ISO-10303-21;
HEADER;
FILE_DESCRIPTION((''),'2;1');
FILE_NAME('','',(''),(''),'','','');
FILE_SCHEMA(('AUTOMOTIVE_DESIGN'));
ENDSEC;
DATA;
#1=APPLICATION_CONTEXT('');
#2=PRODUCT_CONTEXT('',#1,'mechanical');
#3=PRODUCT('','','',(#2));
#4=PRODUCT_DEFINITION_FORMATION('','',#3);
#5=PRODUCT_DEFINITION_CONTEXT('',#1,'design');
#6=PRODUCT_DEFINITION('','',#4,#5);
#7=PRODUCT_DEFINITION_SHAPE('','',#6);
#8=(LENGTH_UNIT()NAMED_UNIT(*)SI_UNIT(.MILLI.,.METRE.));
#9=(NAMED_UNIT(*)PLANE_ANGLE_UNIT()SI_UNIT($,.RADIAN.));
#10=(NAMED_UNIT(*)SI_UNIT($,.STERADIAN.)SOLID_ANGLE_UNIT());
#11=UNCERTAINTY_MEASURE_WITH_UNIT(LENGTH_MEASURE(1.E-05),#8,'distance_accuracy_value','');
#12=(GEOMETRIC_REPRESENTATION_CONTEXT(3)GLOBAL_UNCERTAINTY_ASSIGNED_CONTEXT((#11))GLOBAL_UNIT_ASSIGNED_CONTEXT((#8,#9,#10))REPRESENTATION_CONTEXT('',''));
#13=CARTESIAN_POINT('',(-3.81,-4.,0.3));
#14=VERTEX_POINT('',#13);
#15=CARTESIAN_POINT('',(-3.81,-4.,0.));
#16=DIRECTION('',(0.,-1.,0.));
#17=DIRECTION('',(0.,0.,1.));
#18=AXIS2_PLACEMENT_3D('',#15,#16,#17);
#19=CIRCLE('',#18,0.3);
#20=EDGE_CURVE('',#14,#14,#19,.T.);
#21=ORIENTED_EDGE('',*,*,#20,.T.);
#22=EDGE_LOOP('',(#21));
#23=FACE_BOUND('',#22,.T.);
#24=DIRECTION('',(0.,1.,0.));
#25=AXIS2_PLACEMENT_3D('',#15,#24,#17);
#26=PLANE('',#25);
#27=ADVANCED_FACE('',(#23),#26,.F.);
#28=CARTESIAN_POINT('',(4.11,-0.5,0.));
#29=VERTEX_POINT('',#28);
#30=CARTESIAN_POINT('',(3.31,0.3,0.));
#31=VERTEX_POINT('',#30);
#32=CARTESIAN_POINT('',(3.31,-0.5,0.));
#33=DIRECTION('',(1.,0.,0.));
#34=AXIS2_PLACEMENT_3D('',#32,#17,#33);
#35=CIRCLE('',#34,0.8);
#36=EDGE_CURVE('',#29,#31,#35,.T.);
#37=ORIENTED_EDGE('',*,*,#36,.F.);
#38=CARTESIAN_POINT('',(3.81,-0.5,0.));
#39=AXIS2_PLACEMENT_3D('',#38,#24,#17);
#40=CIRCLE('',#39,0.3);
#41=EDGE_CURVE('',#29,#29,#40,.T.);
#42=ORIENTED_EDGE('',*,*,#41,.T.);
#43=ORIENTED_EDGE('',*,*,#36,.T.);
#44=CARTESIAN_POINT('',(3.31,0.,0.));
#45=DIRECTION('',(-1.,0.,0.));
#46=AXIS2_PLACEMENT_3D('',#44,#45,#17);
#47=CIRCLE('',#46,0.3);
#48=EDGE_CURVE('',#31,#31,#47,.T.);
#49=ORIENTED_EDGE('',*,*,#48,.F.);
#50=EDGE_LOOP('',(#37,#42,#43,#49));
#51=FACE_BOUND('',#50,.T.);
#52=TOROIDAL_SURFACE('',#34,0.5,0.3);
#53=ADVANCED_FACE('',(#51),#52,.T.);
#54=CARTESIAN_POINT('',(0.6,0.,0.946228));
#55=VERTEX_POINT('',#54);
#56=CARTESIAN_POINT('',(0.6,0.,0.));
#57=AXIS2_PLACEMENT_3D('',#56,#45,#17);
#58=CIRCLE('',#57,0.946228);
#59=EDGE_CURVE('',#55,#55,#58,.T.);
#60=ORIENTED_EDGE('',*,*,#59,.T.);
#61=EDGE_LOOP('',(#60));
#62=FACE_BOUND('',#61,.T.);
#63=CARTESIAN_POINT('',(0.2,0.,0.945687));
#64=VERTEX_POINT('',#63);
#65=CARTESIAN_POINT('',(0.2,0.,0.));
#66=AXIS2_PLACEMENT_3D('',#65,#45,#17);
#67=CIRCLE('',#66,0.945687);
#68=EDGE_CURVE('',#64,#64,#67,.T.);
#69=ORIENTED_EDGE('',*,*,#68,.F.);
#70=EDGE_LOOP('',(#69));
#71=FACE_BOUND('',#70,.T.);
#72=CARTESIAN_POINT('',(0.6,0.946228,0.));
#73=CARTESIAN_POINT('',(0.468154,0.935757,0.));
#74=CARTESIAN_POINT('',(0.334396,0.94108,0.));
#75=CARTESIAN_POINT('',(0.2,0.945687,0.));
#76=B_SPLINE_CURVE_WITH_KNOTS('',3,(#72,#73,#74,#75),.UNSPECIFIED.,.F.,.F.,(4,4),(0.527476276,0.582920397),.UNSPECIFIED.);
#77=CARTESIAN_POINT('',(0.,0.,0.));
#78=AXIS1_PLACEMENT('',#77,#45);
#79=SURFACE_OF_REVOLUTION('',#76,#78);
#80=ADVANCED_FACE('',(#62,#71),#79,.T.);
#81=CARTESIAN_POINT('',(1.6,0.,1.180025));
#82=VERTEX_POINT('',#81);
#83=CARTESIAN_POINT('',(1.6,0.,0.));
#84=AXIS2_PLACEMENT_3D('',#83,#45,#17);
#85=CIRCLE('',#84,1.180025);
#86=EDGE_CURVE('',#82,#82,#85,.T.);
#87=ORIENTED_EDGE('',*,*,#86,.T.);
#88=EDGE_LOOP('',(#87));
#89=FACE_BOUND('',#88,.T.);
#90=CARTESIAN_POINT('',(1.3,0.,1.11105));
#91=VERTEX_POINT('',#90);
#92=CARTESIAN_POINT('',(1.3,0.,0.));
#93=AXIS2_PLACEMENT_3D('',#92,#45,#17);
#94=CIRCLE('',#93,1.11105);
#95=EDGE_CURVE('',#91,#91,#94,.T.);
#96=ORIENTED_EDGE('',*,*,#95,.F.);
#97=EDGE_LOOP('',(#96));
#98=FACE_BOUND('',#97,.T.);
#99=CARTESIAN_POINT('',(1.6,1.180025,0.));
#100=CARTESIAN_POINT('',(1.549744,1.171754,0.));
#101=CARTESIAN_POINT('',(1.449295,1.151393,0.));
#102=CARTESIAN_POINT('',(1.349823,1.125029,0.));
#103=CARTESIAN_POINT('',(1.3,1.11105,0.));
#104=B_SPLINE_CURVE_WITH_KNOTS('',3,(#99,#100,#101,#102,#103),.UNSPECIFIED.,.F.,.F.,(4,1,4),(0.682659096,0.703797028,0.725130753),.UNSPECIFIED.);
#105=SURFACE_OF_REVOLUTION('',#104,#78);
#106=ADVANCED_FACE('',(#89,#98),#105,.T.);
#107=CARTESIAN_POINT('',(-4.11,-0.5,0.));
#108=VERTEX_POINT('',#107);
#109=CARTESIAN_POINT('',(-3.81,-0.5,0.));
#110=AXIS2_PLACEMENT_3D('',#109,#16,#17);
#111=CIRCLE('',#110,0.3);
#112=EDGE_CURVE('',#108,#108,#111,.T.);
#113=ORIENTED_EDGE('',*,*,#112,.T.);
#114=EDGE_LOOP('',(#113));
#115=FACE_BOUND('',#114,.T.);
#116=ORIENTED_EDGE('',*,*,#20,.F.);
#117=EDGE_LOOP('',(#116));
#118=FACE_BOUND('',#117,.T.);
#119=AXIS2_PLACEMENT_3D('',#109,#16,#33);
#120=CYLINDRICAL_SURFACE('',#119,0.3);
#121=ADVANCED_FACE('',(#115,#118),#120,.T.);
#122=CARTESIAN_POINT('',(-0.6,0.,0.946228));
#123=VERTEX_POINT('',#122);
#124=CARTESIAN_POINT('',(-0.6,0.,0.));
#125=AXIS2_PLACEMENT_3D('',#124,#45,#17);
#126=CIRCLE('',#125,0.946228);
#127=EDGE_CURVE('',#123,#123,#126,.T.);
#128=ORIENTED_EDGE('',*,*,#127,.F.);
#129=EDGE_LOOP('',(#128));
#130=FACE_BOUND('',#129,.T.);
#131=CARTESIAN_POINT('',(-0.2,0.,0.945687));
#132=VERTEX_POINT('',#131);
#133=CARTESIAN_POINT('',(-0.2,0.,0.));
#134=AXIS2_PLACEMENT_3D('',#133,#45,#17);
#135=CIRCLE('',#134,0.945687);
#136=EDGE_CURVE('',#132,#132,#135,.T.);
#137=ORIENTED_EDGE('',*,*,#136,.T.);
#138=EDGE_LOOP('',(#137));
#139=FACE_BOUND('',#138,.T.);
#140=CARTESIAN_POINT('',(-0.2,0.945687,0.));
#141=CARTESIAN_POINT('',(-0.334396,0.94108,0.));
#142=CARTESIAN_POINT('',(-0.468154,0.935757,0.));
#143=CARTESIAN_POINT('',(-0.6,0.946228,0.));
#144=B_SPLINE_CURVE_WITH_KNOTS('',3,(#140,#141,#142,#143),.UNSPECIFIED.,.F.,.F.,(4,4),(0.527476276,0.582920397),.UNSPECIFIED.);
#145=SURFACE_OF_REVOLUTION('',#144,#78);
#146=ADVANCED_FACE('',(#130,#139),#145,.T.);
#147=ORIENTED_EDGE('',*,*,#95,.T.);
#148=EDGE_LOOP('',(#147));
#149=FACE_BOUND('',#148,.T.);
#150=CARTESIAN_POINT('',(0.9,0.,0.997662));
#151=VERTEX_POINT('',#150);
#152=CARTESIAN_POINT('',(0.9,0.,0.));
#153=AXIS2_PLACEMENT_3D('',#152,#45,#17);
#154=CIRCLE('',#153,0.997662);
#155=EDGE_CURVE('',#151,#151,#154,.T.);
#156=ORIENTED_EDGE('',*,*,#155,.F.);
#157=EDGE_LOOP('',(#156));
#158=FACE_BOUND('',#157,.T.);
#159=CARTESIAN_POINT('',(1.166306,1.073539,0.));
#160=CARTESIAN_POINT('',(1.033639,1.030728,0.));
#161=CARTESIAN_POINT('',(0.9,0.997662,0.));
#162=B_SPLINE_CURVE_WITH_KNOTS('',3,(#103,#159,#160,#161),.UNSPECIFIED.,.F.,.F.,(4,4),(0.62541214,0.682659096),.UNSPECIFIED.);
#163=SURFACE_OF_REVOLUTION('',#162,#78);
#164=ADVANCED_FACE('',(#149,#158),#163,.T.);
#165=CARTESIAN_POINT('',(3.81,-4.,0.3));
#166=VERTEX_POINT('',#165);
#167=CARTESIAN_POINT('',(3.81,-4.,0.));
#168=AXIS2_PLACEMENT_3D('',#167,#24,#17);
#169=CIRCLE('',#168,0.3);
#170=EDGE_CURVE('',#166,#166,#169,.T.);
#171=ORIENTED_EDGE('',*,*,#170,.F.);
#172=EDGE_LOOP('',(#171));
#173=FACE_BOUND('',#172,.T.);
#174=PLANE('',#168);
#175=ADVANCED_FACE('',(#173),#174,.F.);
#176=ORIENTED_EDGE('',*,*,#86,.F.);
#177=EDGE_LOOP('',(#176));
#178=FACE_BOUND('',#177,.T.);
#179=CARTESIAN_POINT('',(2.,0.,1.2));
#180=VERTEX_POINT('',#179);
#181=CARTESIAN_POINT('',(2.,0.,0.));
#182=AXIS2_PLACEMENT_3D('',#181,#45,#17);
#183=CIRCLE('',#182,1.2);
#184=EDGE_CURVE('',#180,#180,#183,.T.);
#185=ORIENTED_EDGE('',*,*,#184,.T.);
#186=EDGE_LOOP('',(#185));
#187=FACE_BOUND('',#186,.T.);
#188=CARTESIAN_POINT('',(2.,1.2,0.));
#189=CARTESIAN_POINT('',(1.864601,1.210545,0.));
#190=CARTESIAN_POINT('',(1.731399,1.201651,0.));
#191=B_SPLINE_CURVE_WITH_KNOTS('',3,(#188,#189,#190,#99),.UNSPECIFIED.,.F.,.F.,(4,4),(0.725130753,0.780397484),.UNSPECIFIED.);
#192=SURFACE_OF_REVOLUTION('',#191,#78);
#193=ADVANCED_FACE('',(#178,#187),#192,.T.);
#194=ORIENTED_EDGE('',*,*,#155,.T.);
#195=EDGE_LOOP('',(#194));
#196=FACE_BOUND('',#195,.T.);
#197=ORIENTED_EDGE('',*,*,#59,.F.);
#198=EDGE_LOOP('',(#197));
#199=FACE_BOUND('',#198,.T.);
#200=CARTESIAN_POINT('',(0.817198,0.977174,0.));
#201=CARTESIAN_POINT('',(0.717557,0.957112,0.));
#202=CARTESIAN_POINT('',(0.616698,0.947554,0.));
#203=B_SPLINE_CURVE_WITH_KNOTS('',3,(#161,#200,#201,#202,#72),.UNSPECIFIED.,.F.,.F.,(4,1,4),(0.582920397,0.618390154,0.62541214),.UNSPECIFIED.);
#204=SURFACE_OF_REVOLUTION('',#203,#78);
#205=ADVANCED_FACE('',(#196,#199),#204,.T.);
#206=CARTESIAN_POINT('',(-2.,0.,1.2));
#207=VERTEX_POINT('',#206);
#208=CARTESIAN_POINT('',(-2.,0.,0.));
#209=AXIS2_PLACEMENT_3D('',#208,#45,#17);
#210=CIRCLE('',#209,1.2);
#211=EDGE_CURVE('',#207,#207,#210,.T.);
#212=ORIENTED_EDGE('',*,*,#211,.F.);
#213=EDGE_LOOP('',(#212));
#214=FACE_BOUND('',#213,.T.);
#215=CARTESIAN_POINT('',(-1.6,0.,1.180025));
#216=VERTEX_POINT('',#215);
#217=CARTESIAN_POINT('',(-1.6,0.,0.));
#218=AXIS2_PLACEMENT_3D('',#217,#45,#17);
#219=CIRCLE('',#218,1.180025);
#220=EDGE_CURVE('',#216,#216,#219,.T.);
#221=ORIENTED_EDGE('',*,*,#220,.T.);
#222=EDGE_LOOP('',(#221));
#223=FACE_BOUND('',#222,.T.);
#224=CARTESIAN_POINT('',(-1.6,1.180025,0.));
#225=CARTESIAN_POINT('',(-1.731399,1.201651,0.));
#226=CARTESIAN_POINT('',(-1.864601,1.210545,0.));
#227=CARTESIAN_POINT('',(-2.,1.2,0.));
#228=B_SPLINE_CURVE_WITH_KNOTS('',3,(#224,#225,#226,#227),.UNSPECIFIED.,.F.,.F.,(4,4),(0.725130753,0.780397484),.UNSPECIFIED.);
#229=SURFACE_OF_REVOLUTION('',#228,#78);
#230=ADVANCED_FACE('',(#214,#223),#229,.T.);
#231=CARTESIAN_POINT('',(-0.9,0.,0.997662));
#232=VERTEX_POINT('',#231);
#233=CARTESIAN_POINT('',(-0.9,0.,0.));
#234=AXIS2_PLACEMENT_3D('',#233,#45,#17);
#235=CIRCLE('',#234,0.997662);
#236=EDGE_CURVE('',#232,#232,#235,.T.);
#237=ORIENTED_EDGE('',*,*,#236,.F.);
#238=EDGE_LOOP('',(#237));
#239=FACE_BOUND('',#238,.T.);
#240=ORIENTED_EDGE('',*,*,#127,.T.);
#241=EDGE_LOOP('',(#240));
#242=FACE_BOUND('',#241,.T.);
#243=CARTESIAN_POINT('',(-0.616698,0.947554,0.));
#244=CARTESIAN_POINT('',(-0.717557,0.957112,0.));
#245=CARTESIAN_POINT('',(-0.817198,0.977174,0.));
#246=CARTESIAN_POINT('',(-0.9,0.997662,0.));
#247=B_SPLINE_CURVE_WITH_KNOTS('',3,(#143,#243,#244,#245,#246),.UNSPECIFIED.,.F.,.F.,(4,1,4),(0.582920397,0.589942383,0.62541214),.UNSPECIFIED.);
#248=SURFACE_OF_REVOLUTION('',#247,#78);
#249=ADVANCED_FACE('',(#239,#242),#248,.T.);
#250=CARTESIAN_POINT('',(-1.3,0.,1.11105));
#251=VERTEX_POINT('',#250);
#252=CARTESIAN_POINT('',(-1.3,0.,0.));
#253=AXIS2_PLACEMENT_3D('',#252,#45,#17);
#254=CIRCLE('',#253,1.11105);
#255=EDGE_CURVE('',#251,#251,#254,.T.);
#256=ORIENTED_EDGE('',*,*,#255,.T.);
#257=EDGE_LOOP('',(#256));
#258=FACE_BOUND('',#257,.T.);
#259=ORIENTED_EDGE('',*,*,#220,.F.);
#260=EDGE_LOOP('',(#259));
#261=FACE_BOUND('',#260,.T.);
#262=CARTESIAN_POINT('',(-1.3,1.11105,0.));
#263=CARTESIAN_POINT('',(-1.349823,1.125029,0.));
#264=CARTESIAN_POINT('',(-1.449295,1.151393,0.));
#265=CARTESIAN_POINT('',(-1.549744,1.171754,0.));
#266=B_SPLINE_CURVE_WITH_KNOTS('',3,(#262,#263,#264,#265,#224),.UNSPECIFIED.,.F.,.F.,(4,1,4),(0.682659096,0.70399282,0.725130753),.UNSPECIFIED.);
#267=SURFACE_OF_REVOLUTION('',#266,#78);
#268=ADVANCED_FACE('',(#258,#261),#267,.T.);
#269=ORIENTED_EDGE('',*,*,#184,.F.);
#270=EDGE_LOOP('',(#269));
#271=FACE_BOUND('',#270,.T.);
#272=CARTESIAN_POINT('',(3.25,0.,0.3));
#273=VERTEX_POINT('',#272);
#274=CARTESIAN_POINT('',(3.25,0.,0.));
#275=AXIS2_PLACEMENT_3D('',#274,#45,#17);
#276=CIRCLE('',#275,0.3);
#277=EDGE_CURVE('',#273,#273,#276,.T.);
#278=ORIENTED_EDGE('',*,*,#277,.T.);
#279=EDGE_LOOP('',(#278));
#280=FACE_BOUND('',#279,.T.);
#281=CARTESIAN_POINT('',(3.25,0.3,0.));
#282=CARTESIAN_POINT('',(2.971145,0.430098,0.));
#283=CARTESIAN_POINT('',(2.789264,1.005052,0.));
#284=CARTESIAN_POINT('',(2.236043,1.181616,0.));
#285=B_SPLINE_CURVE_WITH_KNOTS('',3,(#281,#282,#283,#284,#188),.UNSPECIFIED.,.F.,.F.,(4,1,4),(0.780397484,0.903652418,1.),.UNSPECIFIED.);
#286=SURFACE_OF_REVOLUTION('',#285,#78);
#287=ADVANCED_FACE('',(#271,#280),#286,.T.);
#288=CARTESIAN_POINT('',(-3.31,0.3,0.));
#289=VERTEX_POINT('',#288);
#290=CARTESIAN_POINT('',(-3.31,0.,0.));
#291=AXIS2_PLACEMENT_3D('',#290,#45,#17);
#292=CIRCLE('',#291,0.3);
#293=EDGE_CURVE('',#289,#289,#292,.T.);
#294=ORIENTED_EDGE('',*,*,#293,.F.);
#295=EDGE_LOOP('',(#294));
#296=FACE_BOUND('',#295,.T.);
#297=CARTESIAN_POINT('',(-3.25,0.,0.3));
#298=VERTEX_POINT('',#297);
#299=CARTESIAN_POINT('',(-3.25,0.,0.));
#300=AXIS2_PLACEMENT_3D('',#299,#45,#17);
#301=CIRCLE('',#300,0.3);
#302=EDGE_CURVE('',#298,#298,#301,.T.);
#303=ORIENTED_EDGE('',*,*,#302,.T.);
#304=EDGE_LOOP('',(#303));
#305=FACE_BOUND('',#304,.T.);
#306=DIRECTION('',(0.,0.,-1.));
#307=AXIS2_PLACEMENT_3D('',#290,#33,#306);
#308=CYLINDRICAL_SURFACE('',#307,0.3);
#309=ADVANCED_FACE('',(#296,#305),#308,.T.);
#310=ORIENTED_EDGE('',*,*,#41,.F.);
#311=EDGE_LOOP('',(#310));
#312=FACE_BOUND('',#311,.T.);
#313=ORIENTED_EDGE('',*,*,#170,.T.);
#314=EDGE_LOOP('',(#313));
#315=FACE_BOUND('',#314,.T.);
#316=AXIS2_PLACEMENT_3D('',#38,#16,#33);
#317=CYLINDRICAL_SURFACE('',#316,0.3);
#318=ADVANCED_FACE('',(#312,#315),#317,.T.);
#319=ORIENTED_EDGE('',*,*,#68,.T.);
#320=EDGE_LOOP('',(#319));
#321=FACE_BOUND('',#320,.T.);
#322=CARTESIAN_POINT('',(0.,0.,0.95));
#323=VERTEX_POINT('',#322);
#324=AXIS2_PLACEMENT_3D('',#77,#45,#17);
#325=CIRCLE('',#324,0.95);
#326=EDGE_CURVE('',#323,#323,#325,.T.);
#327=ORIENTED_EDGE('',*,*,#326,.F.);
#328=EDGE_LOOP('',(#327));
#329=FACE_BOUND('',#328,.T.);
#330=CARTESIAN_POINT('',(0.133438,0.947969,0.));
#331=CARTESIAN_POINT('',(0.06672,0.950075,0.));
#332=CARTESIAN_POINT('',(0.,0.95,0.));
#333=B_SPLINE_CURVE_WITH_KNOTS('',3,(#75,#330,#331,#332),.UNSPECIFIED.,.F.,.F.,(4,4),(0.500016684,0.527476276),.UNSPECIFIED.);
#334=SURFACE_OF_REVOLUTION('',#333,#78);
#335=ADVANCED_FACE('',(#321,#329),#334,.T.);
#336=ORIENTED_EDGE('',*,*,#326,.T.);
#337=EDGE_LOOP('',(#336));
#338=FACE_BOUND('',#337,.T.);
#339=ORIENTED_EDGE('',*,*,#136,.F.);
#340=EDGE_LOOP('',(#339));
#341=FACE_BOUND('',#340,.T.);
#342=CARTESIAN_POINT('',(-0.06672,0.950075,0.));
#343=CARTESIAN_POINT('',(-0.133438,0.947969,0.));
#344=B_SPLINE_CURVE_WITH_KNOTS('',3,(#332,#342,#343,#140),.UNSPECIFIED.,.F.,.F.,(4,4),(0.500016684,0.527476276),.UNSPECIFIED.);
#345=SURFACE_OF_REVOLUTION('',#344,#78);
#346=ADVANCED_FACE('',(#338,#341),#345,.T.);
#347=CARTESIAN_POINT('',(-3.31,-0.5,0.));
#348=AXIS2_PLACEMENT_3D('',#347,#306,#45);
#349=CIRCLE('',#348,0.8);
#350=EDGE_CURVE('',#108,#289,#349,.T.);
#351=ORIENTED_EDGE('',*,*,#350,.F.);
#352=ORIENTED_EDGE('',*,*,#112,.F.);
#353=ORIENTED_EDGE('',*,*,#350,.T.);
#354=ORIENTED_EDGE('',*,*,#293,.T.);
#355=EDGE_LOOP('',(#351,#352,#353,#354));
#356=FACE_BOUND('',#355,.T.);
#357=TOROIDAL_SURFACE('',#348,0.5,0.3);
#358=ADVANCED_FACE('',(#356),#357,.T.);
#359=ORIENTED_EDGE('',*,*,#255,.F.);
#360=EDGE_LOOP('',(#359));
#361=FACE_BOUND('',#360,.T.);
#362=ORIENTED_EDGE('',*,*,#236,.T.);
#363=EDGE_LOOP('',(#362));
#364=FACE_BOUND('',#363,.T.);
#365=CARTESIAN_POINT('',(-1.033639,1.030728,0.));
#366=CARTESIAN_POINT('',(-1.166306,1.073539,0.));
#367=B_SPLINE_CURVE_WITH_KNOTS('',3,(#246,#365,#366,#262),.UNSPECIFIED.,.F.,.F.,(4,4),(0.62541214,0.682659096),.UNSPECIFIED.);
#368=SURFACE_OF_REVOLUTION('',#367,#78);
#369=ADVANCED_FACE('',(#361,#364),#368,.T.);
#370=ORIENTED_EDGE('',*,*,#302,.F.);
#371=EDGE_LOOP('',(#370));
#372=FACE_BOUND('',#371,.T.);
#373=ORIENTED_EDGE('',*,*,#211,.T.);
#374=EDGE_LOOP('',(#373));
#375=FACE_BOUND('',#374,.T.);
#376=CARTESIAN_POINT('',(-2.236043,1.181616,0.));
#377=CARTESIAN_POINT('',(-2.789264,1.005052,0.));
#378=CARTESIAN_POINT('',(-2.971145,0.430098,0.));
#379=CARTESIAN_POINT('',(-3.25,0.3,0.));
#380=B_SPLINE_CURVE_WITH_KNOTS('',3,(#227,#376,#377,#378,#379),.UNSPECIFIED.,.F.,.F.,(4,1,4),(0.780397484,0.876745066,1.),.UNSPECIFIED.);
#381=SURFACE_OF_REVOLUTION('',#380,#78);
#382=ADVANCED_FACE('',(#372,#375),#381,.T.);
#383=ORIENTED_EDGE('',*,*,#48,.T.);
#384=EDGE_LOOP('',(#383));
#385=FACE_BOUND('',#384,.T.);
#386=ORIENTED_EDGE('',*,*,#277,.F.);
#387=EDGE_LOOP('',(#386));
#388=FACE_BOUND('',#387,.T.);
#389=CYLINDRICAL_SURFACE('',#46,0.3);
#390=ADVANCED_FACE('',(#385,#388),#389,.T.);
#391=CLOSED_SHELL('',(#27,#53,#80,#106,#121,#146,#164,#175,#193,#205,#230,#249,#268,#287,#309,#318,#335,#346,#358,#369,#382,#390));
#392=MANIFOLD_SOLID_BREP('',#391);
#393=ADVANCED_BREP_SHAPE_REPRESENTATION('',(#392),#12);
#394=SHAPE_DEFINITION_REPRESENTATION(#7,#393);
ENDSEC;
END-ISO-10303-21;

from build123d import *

# Parameters (mm, degrees)
SKETCH_5_R = 0.3


with BuildPart() as part:
    # Эскиз3 → Повернуть2 (revolve)
    with BuildSketch(Plane.XY):
        with BuildLine():
            Line((0, 0), (-3.25, 0))
            Line((-3.25, 0), (-3.25, 0.3))
            add(Edge.make_bspline(
                [(-2.000000082, 1.199999952), (-2.23604302, 1.181615986), (-2.789263679, 1.00505202), (-2.971144892, 0.430097598), (-3.25, 0.3)],
                knots=[0.780397484, 0.780397484, 0.780397484, 0.780397484, 0.876745066, 1, 1, 1, 1], degree=3))
            add(Edge.make_bspline(
                [(-1.6, 1.180025241), (-1.731399218, 1.201650855), (-1.864601443, 1.21054538), (-2.000000082, 1.199999952)],
                knots=[0.725130753, 0.725130753, 0.725130753, 0.725130753, 0.780397484, 0.780397484, 0.780397484, 0.780397484], degree=3))
            add(Edge.make_bspline(
                [(-1.3, 1.111050082), (-1.34982276, 1.125028982), (-1.449295193, 1.15139314), (-1.549743584, 1.171754066), (-1.6, 1.180025241)],
                knots=[0.682659096, 0.682659096, 0.682659096, 0.682659096, 0.70399282, 0.725130753, 0.725130753, 0.725130753, 0.725130753], degree=3))
            add(Edge.make_bspline(
                [(-0.9, 0.997661651), (-1.033638838, 1.030728014), (-1.166305516, 1.073539075), (-1.3, 1.111050082)],
                knots=[0.62541214, 0.62541214, 0.62541214, 0.62541214, 0.682659096, 0.682659096, 0.682659096, 0.682659096], degree=3))
            add(Edge.make_bspline(
                [(-0.6, 0.946228082), (-0.616698211, 0.947554212), (-0.71755748, 0.957111909), (-0.817198443, 0.977173996), (-0.9, 0.997661651)],
                knots=[0.582920397, 0.582920397, 0.582920397, 0.582920397, 0.589942383, 0.62541214, 0.62541214, 0.62541214, 0.62541214], degree=3))
            add(Edge.make_bspline(
                [(-0.2, 0.945686937), (-0.334396136, 0.941079864), (-0.468154451, 0.935757238), (-0.6, 0.946228082)],
                knots=[0.527476276, 0.527476276, 0.527476276, 0.527476276, 0.582920397, 0.582920397, 0.582920397, 0.582920397], degree=3))
            add(Edge.make_bspline(
                [(0, 0.95), (-0.066719861, 0.950074874), (-0.133438155, 0.947968664), (-0.2, 0.945686937)],
                knots=[0.500016684, 0.500016684, 0.500016684, 0.500016684, 0.527476276, 0.527476276, 0.527476276, 0.527476276], degree=3))
            add(Edge.make_bspline(
                [(0, 0.95), (0.066719861, 0.950074874), (0.133438155, 0.947968664), (0.2, 0.945686937)],
                knots=[0.500016684, 0.500016684, 0.500016684, 0.500016684, 0.527476276, 0.527476276, 0.527476276, 0.527476276], degree=3))
            add(Edge.make_bspline(
                [(0.2, 0.945686937), (0.334396136, 0.941079864), (0.468154451, 0.935757238), (0.6, 0.946228082)],
                knots=[0.527476276, 0.527476276, 0.527476276, 0.527476276, 0.582920397, 0.582920397, 0.582920397, 0.582920397], degree=3))
            add(Edge.make_bspline(
                [(0.6, 0.946228082), (0.616698211, 0.947554212), (0.71755748, 0.957111909), (0.817198443, 0.977173996), (0.9, 0.997661651)],
                knots=[0.582920397, 0.582920397, 0.582920397, 0.582920397, 0.589942383, 0.62541214, 0.62541214, 0.62541214, 0.62541214], degree=3))
            add(Edge.make_bspline(
                [(0.9, 0.997661651), (1.033638838, 1.030728014), (1.166305516, 1.073539075), (1.3, 1.111050082)],
                knots=[0.62541214, 0.62541214, 0.62541214, 0.62541214, 0.682659096, 0.682659096, 0.682659096, 0.682659096], degree=3))
            add(Edge.make_bspline(
                [(1.3, 1.111050082), (1.34982276, 1.125028982), (1.449295193, 1.15139314), (1.549743584, 1.171754066), (1.6, 1.180025241)],
                knots=[0.682659096, 0.682659096, 0.682659096, 0.682659096, 0.70399282, 0.725130753, 0.725130753, 0.725130753, 0.725130753], degree=3))
            add(Edge.make_bspline(
                [(1.6, 1.180025241), (1.731399218, 1.201650855), (1.864601443, 1.21054538), (2, 1.2)],
                knots=[0.725130753, 0.725130753, 0.725130753, 0.725130753, 0.780397484, 0.780397484, 0.780397484, 0.780397484], degree=3))
            add(Edge.make_bspline(
                [(2, 1.2), (2.23604302, 1.181615986), (2.789263679, 1.00505202), (2.971144892, 0.430097598), (3.25, 0.3)],
                knots=[0.780397484, 0.780397484, 0.780397484, 0.780397484, 0.876745066, 1, 1, 1, 1], degree=3))
            Line((3.25, 0.3), (3.25, 0))
            Line((3.25, 0), (0, 0))
        make_face()
    revolve(axis=Axis((0, 0, 0), (1, 0, 0)))

    # По траектории2: sweep along a path in Эскиз4
    with BuildLine(Plane.XY) as sweep_2_path:
        Line((2.987274619, 0), (3.31, 0))
        ThreePointArc((3.31, 0), (3.663553391, -0.146446609), (3.81, -0.5))
        Line((3.81, -0.5), (3.81, -4))
    # Эскиз5 → По траектории2 (sweep)
    with BuildSketch(Plane(origin=(0, -4, 0), x_dir=(1, 0, 0), z_dir=(0, 1, 0))):
        with Locations((3.81, 0)):
            Circle(SKETCH_5_R)
    sweep_2 = sweep(path=sweep_2_path.line)

    # Зеркальное отражение1: По траектории2 across plane
    add(sweep_2.mirror(Plane(origin=(0, 0, 0), x_dir=(0, 0, 1), z_dir=(1, 0, 0))))


solid = part.part
